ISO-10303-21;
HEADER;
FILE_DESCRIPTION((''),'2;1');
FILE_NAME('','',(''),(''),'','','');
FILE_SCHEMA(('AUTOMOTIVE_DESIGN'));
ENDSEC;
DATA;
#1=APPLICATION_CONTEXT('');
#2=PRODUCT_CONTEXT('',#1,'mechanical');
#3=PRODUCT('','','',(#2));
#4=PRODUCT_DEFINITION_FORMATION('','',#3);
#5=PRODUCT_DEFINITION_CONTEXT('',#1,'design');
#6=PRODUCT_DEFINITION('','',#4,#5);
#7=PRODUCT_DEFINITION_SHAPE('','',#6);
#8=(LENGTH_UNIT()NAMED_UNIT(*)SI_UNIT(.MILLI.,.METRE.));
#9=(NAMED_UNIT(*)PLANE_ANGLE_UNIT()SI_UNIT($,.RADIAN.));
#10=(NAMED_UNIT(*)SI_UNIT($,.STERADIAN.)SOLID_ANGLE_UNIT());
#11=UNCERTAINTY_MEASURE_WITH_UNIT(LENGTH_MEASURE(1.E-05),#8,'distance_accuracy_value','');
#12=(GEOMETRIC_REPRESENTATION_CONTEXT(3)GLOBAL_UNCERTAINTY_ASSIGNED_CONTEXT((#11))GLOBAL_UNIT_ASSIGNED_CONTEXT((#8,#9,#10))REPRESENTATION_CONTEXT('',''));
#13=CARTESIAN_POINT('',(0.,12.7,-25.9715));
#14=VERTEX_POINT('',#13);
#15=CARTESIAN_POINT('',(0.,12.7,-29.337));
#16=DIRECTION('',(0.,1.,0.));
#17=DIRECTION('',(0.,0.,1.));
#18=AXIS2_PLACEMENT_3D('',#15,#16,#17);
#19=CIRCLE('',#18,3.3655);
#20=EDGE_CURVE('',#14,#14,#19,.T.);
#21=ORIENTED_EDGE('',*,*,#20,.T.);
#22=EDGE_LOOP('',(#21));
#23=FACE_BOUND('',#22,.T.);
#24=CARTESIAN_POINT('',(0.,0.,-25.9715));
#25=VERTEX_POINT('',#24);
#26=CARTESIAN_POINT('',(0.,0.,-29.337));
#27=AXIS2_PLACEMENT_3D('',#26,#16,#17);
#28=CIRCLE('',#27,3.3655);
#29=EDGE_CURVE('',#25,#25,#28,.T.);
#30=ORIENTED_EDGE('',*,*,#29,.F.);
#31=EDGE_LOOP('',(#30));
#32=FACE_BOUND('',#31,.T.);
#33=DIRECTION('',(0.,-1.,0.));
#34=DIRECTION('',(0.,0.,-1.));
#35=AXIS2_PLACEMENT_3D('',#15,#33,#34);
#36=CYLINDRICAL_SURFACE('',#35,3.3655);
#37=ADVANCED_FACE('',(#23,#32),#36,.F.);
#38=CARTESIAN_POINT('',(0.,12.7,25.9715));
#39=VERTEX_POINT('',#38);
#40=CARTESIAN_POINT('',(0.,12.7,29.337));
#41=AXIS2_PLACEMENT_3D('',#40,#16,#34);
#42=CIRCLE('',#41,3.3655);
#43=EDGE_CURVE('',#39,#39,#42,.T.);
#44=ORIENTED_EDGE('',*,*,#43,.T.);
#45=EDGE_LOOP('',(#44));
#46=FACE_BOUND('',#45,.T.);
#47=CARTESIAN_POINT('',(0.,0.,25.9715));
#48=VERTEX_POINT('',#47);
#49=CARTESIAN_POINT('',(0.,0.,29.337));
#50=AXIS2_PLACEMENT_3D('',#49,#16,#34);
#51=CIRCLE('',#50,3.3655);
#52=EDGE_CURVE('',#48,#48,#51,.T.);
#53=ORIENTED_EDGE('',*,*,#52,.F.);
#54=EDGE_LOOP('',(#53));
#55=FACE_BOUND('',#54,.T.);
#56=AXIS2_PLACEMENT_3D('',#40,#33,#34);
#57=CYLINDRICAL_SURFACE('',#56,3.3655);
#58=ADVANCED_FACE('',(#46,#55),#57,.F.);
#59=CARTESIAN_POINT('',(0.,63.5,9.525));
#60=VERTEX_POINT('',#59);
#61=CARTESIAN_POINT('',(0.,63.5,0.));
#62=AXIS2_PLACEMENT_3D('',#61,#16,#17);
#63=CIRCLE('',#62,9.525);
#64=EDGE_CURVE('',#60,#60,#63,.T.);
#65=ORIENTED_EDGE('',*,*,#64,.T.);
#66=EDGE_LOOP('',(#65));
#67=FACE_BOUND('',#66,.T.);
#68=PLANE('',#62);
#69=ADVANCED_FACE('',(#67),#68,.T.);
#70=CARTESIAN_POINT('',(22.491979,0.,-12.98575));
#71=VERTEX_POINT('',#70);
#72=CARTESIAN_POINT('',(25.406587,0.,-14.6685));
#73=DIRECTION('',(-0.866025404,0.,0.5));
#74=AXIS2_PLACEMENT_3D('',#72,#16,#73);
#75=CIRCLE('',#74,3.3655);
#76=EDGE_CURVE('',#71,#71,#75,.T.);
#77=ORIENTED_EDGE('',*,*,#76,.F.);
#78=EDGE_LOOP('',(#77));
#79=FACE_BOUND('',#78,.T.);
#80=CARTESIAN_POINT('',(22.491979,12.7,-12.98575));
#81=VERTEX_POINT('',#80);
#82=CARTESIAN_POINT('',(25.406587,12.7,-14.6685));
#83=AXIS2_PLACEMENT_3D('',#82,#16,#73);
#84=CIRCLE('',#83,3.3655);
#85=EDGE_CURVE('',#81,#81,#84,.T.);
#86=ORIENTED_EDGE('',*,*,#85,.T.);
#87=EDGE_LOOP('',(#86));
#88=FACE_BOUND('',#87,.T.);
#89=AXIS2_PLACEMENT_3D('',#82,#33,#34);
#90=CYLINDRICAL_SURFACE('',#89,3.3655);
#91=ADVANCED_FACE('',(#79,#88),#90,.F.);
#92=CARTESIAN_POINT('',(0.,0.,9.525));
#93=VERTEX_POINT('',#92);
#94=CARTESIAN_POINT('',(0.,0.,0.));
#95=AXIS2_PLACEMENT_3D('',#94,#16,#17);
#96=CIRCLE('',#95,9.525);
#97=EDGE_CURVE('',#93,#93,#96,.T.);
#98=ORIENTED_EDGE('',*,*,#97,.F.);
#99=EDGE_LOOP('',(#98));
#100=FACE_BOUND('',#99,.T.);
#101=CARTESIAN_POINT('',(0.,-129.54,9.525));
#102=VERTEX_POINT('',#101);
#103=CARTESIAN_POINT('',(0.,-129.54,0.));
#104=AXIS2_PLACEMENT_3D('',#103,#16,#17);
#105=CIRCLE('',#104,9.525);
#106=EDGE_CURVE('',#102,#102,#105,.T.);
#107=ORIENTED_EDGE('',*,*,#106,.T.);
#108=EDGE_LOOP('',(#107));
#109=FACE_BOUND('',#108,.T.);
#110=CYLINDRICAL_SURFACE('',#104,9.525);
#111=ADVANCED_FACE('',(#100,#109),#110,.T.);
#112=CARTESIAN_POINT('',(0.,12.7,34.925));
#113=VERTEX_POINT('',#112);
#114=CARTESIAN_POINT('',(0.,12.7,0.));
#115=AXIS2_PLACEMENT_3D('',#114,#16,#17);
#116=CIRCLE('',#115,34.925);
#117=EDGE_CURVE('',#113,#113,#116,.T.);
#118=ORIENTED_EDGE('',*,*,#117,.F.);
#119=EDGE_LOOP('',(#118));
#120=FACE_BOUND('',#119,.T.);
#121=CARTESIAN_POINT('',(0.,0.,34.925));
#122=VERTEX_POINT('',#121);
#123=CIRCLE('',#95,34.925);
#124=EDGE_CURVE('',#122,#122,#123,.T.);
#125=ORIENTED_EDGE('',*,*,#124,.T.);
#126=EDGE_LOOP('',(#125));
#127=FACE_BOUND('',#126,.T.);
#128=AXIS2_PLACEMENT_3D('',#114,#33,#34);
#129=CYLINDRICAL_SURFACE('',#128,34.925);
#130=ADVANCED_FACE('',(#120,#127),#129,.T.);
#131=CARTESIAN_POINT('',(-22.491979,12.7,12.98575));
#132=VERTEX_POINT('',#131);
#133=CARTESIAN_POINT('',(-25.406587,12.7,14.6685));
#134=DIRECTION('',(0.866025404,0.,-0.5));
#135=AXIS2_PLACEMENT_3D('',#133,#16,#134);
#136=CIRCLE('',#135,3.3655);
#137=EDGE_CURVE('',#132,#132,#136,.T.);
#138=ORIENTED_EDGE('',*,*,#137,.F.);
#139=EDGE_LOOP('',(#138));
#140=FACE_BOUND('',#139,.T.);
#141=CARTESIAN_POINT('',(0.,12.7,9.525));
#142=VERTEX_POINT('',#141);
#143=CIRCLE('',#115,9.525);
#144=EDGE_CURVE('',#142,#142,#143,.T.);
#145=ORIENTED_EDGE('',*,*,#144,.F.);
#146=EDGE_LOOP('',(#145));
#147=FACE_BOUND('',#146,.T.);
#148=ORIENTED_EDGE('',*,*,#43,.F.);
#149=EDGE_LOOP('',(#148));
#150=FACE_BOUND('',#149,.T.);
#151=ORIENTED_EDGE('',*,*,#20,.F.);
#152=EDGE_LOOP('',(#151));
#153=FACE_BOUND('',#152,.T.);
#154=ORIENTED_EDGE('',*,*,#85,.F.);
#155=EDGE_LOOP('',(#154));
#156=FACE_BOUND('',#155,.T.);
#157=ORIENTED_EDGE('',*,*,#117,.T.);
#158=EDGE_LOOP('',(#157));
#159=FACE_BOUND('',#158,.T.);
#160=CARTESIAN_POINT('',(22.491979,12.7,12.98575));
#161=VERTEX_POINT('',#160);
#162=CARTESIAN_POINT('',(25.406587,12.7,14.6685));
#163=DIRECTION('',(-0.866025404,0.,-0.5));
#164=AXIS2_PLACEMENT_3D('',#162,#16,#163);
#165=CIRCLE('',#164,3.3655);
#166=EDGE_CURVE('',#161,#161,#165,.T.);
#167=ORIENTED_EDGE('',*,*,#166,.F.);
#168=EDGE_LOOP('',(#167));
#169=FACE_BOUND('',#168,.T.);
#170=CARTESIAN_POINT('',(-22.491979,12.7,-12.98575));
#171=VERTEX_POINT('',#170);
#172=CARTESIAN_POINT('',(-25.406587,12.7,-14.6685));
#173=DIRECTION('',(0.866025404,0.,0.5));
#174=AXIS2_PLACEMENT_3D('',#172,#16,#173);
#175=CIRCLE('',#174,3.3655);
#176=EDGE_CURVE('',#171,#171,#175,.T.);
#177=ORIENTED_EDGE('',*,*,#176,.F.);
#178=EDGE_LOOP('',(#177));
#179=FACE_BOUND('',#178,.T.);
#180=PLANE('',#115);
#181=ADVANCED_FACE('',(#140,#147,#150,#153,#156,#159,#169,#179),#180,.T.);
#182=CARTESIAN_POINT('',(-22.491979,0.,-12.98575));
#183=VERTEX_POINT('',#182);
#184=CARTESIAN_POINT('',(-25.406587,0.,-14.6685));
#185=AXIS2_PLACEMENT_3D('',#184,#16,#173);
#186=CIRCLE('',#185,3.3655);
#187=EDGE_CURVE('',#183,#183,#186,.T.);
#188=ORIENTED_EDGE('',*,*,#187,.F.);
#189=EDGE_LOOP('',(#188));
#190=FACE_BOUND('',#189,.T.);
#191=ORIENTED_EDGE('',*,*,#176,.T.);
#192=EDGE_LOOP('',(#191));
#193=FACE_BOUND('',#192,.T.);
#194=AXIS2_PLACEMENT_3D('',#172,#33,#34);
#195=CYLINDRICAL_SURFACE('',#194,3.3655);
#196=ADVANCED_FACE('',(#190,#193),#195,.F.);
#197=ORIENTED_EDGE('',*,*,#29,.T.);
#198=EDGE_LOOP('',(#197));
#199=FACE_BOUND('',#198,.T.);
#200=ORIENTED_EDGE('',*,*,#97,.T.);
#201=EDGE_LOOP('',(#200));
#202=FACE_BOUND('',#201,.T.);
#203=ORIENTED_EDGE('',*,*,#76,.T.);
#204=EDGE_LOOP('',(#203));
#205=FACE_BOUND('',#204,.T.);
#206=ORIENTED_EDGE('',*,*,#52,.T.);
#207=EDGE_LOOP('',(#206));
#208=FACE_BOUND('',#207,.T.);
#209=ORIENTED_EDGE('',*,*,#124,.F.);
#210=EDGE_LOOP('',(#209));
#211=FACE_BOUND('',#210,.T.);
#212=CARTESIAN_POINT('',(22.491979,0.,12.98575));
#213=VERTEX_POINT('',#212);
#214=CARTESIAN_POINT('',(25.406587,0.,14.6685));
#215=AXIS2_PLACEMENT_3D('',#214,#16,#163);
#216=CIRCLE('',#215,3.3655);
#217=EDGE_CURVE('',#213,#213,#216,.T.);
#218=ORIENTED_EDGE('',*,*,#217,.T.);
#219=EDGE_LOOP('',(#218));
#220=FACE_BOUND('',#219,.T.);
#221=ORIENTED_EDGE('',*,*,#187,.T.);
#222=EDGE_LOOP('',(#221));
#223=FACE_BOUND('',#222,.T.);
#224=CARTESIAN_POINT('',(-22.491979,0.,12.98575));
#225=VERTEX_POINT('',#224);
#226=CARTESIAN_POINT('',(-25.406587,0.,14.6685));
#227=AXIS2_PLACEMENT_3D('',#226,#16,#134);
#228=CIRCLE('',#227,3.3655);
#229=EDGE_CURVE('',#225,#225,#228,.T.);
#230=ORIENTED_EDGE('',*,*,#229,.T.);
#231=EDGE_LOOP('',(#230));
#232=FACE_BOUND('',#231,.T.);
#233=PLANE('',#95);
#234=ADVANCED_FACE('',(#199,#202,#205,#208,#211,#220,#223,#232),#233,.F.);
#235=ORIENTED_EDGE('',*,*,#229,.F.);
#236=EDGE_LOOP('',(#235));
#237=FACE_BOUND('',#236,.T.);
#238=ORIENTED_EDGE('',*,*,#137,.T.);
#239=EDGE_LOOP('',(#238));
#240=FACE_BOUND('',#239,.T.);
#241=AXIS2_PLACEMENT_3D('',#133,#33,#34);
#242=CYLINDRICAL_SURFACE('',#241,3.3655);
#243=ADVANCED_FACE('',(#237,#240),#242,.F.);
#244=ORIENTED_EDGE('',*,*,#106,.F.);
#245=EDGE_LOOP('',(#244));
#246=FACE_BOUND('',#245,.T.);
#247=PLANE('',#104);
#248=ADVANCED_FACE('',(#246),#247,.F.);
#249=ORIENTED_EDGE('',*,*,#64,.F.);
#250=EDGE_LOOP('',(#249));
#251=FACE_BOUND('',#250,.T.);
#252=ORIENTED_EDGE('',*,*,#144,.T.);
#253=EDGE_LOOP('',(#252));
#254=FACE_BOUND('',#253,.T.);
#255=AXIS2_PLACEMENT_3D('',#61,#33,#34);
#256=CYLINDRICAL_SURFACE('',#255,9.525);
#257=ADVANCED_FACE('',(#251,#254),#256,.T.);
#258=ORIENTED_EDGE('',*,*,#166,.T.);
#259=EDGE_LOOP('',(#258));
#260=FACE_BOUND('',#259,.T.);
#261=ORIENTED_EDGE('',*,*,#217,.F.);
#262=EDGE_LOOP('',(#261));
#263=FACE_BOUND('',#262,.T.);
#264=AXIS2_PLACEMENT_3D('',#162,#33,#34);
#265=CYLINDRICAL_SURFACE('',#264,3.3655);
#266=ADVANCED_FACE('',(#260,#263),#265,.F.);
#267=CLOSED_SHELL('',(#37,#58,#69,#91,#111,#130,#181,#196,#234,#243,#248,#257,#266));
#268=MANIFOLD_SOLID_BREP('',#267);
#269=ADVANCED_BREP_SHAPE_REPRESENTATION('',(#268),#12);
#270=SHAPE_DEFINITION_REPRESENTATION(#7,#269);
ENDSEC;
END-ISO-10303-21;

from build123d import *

# Parameters (mm, degrees)
SKETCH1_R          = 34.925
EXTRUDE1_DEPTH     = 12.7
SKETCH3_R          = 3.3655
CUT_EXTRUDE2_DEPTH = 12.7
CIRPATTERN1_COUNT  = 6
SKETCH5_R          = 9.525
EXTRUDE2_DEPTH     = 129.54
EXTRUDE3_START     = 50.8
SKETCH6_R          = 9.525
EXTRUDE3_DEPTH     = 50.8


with BuildPart() as part:
    # Sketch1 → Extrude1 (new body)
    with BuildSketch(Plane(origin=(0, 0, 0), x_dir=(1, 0, 0), z_dir=(0, 1, 0))):
        Circle(SKETCH1_R)
    extrude(amount=EXTRUDE1_DEPTH)

    # Sketch3 → Cut-Extrude2 (cut)
    with BuildSketch(Plane(origin=(0, 0, 0), x_dir=(1, 0, 0), z_dir=(0, 1, 0))):
        with Locations((0, 29.337)):
            Circle(SKETCH3_R)
    cut_extrude2 = extrude(amount=CUT_EXTRUDE2_DEPTH, mode=Mode.SUBTRACT)

    # CirPattern1: Cut-Extrude2 ×6 about axis
    cirpattern1_axis = Axis((0, 35.858162691, 0), (0, -1, 0))
    for i in range(1, CIRPATTERN1_COUNT):
        add(cut_extrude2.rotate(cirpattern1_axis, i * 360 / CIRPATTERN1_COUNT), mode=Mode.SUBTRACT)

    # Sketch5 → Extrude2 (add)
    with BuildSketch(Plane(origin=(0, 0, 0), x_dir=(1, 0, 0), z_dir=(0, 1, 0))):
        Circle(SKETCH5_R)
    extrude(amount=-EXTRUDE2_DEPTH)

    # Sketch6 → Extrude3 (add)
    with BuildSketch(Plane(origin=(0, 12.7, 0), x_dir=(-1, 0, 0), z_dir=(0, 1, 0)).offset(EXTRUDE3_START)):
        Circle(SKETCH6_R)
    extrude(amount=-EXTRUDE3_DEPTH)


solid = part.part
